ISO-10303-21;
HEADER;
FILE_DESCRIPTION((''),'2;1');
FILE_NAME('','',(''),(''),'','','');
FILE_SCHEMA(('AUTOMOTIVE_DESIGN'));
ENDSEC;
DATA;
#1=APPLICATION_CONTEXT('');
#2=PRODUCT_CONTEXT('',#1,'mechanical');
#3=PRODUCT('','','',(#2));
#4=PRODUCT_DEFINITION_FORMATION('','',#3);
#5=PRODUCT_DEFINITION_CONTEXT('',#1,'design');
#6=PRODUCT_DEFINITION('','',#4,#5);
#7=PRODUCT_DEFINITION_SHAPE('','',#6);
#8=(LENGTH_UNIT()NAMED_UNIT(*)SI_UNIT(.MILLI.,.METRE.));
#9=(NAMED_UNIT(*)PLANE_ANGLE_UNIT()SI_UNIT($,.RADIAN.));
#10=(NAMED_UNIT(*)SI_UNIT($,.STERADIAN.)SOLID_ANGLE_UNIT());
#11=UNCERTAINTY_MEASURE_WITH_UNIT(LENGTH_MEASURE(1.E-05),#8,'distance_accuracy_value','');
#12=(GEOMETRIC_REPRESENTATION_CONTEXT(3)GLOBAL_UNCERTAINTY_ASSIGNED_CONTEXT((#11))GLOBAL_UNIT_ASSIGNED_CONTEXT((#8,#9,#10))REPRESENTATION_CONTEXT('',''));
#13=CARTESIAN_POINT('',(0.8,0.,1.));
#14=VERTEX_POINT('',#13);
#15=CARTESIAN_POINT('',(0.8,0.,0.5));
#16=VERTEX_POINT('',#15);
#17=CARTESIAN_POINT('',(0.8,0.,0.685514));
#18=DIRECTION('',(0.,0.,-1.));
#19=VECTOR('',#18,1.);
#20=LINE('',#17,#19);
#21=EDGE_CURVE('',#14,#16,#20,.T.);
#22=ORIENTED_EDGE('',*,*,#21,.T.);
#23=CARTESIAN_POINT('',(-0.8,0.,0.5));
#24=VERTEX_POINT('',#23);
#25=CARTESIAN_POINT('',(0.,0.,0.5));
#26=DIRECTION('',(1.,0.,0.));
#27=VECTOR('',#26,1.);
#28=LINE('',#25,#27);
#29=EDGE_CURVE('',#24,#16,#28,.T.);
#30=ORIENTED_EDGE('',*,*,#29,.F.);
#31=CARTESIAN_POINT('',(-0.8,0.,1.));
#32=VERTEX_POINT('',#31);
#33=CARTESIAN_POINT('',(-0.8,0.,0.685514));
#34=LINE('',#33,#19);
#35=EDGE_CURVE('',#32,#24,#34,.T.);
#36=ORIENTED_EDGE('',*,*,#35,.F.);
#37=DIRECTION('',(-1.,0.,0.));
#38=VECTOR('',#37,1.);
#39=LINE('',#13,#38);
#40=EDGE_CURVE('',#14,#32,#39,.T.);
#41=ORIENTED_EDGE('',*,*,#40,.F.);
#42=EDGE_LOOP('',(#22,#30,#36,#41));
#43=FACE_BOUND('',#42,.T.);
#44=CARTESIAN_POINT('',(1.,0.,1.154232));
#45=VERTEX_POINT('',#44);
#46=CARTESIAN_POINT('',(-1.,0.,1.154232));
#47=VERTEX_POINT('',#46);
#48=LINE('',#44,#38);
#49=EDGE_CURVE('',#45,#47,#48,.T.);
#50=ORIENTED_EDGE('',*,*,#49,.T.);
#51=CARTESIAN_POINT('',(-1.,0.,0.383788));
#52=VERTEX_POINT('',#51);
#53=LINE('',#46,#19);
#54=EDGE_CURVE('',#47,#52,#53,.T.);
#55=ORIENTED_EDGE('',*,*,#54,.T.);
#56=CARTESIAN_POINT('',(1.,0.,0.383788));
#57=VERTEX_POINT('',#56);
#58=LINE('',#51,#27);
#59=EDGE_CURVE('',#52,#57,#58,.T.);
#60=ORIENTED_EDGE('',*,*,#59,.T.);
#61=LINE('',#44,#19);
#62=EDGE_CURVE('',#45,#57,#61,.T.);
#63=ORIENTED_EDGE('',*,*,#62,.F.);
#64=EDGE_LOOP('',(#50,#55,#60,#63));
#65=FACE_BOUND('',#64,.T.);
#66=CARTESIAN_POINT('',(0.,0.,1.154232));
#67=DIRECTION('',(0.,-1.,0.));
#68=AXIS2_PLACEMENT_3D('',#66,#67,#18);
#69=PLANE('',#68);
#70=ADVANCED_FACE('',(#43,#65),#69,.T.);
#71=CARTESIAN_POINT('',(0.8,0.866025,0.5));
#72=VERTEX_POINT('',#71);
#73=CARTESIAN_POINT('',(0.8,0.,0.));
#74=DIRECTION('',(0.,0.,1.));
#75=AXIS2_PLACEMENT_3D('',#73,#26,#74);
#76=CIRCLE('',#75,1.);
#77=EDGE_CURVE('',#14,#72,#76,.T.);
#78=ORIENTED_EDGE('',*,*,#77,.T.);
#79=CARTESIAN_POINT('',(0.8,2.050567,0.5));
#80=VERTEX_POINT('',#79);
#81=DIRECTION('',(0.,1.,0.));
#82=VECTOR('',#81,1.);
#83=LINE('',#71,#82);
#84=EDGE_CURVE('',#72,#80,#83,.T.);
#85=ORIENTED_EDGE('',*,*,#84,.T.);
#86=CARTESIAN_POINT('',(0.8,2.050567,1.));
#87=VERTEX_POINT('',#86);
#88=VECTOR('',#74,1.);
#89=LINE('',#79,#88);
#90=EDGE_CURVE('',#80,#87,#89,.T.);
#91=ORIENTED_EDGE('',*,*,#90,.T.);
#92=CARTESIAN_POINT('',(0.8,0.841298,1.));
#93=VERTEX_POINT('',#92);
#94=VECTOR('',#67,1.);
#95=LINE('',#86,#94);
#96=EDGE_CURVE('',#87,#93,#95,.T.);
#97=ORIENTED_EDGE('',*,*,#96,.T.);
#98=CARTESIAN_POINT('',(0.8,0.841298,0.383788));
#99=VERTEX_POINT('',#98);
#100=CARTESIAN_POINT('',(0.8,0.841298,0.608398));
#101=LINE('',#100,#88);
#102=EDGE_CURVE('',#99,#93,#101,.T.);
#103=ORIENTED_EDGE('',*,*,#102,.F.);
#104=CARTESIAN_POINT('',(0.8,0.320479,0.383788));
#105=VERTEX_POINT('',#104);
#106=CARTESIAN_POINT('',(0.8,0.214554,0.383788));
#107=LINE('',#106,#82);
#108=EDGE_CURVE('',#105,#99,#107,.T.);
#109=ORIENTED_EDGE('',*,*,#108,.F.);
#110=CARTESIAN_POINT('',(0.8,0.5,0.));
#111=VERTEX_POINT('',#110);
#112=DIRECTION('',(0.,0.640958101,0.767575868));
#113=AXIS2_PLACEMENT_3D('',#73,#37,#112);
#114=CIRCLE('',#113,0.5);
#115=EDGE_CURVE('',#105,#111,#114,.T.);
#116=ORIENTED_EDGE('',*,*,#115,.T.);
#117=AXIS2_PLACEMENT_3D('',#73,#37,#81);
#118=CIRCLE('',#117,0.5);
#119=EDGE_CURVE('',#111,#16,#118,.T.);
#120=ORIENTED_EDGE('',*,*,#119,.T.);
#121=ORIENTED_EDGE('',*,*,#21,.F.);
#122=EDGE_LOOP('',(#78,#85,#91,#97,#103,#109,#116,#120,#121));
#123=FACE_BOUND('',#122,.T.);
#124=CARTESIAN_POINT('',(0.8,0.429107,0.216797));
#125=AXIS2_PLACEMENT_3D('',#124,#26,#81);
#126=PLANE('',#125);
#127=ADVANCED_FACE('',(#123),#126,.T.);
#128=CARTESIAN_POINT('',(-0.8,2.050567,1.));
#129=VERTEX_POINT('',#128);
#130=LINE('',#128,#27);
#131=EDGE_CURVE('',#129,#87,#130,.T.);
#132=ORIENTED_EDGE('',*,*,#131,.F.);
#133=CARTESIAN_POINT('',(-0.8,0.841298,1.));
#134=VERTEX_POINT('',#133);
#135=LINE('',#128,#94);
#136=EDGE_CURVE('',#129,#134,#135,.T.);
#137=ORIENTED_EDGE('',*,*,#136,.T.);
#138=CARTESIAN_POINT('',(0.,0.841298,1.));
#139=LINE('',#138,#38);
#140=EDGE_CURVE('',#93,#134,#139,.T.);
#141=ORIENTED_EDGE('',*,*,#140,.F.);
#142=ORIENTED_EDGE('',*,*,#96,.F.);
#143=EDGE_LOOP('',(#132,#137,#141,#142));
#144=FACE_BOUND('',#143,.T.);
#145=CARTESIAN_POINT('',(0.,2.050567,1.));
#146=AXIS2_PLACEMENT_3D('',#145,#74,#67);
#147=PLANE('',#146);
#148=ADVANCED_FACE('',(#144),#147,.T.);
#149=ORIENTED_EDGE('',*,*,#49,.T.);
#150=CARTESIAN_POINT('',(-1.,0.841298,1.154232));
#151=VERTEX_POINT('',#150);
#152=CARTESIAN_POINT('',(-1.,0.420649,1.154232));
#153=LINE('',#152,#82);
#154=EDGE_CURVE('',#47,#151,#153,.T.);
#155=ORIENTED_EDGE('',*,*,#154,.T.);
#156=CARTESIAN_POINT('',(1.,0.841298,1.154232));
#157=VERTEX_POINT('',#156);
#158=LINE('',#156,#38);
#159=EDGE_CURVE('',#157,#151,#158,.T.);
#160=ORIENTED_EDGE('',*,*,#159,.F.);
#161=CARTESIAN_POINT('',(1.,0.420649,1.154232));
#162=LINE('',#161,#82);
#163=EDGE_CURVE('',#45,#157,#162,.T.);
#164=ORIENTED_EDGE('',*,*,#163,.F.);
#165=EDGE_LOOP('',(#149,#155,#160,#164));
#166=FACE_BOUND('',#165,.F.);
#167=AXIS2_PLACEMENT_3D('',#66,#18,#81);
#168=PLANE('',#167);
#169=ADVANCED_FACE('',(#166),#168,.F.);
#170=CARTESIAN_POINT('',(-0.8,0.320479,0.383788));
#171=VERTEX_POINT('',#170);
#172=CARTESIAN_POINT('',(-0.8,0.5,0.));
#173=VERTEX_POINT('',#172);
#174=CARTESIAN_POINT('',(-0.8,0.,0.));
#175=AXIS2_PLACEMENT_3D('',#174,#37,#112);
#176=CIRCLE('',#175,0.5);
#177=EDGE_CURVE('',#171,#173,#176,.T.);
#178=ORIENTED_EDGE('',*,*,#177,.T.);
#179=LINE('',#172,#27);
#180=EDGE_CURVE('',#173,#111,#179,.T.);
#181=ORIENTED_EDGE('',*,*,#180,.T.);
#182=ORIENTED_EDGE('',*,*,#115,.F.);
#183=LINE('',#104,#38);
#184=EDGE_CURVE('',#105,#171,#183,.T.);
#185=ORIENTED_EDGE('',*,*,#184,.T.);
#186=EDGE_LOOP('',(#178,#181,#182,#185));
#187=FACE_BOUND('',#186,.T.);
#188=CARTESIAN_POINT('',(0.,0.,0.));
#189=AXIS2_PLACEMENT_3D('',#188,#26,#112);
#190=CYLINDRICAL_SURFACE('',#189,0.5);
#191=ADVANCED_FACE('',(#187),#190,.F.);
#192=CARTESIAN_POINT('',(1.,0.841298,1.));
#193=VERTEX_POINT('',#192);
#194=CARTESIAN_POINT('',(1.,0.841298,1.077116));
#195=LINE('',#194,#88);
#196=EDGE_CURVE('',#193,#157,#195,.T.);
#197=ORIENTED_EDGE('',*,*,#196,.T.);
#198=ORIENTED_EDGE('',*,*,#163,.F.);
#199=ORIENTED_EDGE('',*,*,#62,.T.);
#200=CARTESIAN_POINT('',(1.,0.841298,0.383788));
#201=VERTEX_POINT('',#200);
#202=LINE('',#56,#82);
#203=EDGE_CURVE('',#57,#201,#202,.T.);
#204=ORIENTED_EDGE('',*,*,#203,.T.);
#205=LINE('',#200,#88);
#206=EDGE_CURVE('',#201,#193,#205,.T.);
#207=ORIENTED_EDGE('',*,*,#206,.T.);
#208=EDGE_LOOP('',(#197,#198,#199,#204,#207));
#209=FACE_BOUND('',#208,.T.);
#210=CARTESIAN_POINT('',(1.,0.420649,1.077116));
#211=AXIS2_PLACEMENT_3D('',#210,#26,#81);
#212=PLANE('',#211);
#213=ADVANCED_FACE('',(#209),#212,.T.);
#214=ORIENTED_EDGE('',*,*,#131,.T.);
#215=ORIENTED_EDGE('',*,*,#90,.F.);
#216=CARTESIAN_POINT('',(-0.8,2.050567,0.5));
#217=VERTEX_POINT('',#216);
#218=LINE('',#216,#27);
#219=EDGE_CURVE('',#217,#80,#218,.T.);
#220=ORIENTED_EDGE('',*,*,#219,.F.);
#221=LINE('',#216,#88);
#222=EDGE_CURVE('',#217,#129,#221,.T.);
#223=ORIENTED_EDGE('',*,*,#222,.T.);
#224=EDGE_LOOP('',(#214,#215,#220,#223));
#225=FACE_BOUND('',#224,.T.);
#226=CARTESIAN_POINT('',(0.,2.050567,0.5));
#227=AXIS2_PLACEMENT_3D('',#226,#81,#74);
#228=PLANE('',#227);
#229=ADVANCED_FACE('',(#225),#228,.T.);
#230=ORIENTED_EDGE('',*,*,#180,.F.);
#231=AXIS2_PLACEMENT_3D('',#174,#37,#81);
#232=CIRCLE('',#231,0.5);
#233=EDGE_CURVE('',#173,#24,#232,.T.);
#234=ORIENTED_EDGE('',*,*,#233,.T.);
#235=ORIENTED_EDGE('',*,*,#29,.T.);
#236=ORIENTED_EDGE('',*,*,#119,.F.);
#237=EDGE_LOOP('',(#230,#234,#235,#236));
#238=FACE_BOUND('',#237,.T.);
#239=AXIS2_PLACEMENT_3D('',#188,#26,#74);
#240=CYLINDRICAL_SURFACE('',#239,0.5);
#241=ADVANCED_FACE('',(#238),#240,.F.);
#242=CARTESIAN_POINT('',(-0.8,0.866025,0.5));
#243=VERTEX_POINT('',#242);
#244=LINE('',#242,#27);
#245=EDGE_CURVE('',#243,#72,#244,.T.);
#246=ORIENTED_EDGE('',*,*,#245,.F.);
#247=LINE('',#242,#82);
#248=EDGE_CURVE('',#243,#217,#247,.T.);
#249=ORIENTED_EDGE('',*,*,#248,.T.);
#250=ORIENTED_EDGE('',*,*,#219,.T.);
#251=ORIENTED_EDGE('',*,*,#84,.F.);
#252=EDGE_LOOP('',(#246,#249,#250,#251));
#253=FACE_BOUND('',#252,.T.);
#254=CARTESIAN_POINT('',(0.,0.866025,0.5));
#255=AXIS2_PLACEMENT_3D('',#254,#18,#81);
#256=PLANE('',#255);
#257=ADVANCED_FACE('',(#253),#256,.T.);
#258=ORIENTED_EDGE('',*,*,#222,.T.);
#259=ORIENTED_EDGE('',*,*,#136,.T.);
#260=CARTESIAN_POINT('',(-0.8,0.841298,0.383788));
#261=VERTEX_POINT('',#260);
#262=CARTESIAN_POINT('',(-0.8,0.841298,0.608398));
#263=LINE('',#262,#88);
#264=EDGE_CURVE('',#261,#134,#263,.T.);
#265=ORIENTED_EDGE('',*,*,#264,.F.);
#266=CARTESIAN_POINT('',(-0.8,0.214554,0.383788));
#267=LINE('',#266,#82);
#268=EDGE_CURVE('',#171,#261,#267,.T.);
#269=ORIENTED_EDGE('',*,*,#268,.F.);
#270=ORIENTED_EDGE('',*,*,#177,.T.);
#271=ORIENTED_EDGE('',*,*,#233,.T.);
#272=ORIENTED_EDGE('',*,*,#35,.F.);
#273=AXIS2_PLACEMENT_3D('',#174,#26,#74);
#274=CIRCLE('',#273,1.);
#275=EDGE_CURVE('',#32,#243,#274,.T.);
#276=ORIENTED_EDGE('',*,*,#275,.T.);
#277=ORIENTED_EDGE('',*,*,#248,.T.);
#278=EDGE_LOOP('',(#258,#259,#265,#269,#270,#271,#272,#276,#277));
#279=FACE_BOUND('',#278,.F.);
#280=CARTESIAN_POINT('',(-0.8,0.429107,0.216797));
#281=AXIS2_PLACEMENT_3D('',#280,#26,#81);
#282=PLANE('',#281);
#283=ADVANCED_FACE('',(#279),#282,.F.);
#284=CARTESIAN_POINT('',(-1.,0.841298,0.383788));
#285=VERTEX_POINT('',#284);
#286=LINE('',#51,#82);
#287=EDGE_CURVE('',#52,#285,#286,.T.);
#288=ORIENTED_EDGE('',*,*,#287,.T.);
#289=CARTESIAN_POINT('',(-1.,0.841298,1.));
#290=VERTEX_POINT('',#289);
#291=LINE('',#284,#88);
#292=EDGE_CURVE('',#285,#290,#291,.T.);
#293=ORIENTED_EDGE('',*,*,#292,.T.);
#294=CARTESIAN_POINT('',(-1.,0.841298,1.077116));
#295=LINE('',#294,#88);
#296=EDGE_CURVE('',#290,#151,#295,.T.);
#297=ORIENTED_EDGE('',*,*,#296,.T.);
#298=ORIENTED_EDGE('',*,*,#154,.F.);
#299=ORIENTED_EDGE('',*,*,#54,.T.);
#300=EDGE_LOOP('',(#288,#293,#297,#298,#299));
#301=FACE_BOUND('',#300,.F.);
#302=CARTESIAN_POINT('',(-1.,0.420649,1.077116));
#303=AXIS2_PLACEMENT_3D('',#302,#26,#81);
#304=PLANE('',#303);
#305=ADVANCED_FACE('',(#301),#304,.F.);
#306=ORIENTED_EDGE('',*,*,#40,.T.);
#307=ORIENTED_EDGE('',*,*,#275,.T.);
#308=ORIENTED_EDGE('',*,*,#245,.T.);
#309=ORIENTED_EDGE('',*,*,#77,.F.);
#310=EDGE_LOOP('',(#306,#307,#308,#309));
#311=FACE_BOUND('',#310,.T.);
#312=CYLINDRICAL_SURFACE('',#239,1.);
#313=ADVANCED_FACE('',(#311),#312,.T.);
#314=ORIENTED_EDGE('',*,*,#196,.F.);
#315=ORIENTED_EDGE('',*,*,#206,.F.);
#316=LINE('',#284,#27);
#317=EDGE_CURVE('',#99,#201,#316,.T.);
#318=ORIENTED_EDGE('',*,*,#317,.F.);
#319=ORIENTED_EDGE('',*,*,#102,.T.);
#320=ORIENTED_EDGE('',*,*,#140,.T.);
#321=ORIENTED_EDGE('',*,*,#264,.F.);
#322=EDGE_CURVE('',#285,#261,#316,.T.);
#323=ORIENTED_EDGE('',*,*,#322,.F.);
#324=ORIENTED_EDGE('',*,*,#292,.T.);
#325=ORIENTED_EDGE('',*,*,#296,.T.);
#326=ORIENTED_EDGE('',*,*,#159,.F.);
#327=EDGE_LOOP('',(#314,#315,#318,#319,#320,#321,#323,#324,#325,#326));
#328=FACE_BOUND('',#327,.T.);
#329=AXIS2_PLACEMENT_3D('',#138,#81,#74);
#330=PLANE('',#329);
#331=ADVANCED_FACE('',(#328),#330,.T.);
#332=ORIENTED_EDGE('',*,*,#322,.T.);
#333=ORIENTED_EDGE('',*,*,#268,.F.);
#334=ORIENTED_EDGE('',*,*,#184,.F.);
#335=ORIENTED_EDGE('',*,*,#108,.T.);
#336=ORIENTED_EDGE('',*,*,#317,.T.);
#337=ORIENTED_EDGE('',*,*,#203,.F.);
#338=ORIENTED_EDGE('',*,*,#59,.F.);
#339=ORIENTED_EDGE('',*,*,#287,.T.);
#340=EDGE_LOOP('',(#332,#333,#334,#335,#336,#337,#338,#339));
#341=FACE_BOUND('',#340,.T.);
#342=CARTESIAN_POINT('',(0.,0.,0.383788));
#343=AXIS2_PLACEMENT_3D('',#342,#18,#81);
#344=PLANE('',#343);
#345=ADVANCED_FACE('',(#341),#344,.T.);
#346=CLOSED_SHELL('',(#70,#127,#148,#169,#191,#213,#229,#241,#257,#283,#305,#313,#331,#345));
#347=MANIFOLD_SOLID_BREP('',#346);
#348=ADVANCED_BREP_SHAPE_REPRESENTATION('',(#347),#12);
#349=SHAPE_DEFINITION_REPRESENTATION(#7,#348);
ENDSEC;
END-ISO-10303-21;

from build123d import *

# Parameters (mm, degrees)
F1_DEPTH = 0.8
F0_W     = 0.8412975585
F0_H     = 0.1542318389
F2_DEPTH = 1


with BuildPart() as f1:
    # F0 (on Right) → F1 (new body, symmetric)
    with BuildSketch(Plane.YZ):
        with BuildLine():
            ThreePointArc((0.3204790504, 0.383787934), (0.4529014933, 0.2118495631), (0.5, 0))
            ThreePointArc((0.5, 0), (-0.3535533906, -0.3535533906), (0, 0.5))
            Line((0, 0.5), (0, 1))
            ThreePointArc((0, 1), (-0.5, -0.8660254038), (0.8660254038, 0.5))
            Line((0.8660254038, 0.5), (2.0505674183, 0.5))
            Line((2.0505674183, 0.5), (2.0505674183, 1))
            Line((2.0505674183, 1), (1.2247448714, 1))
            Line((1.2247448714, 1), (0.8412975585, 1))
            Line((0.8412975585, 1), (0.8412975585, 0.383787934))
            Line((0.8412975585, 0.383787934), (0.3204790504, 0.383787934))
        make_face()
        with BuildLine():
            ThreePointArc((0, 0.5), (0.1704494544, 0.4700499798), (0.3204790504, 0.383787934))
            Line((0.3204790504, 0.383787934), (0.8412975585, 0.383787934))
            Line((0.8412975585, 0.383787934), (0.8412975585, 1))
            Line((0.8412975585, 1), (0, 1))
            Line((0, 1), (0, 0.5))
        make_face()
    extrude(amount=F1_DEPTH, both=True)

    # F0 (on Right) → F2 (join, symmetric)
    with BuildSketch(Plane.YZ):
        with Locations((0.4206487793, 1.0771159194)):
            Rectangle(F0_W, F0_H)
        with BuildLine():
            Line((0, 0.383787934), (0.3204790504, 0.383787934))
            ThreePointArc((0.3204790504, 0.383787934), (0.1704494544, 0.4700499798), (0, 0.5))
            Line((0, 0.5), (0, 0.383787934))
        make_face()
        with BuildLine():
            ThreePointArc((0, 0.5), (0.1704494544, 0.4700499798), (0.3204790504, 0.383787934))
            Line((0.3204790504, 0.383787934), (0.8412975585, 0.383787934))
            Line((0.8412975585, 0.383787934), (0.8412975585, 1))
            Line((0.8412975585, 1), (0, 1))
            Line((0, 1), (0, 0.5))
        make_face()
    extrude(amount=F2_DEPTH, both=True)


solid = f1.part
